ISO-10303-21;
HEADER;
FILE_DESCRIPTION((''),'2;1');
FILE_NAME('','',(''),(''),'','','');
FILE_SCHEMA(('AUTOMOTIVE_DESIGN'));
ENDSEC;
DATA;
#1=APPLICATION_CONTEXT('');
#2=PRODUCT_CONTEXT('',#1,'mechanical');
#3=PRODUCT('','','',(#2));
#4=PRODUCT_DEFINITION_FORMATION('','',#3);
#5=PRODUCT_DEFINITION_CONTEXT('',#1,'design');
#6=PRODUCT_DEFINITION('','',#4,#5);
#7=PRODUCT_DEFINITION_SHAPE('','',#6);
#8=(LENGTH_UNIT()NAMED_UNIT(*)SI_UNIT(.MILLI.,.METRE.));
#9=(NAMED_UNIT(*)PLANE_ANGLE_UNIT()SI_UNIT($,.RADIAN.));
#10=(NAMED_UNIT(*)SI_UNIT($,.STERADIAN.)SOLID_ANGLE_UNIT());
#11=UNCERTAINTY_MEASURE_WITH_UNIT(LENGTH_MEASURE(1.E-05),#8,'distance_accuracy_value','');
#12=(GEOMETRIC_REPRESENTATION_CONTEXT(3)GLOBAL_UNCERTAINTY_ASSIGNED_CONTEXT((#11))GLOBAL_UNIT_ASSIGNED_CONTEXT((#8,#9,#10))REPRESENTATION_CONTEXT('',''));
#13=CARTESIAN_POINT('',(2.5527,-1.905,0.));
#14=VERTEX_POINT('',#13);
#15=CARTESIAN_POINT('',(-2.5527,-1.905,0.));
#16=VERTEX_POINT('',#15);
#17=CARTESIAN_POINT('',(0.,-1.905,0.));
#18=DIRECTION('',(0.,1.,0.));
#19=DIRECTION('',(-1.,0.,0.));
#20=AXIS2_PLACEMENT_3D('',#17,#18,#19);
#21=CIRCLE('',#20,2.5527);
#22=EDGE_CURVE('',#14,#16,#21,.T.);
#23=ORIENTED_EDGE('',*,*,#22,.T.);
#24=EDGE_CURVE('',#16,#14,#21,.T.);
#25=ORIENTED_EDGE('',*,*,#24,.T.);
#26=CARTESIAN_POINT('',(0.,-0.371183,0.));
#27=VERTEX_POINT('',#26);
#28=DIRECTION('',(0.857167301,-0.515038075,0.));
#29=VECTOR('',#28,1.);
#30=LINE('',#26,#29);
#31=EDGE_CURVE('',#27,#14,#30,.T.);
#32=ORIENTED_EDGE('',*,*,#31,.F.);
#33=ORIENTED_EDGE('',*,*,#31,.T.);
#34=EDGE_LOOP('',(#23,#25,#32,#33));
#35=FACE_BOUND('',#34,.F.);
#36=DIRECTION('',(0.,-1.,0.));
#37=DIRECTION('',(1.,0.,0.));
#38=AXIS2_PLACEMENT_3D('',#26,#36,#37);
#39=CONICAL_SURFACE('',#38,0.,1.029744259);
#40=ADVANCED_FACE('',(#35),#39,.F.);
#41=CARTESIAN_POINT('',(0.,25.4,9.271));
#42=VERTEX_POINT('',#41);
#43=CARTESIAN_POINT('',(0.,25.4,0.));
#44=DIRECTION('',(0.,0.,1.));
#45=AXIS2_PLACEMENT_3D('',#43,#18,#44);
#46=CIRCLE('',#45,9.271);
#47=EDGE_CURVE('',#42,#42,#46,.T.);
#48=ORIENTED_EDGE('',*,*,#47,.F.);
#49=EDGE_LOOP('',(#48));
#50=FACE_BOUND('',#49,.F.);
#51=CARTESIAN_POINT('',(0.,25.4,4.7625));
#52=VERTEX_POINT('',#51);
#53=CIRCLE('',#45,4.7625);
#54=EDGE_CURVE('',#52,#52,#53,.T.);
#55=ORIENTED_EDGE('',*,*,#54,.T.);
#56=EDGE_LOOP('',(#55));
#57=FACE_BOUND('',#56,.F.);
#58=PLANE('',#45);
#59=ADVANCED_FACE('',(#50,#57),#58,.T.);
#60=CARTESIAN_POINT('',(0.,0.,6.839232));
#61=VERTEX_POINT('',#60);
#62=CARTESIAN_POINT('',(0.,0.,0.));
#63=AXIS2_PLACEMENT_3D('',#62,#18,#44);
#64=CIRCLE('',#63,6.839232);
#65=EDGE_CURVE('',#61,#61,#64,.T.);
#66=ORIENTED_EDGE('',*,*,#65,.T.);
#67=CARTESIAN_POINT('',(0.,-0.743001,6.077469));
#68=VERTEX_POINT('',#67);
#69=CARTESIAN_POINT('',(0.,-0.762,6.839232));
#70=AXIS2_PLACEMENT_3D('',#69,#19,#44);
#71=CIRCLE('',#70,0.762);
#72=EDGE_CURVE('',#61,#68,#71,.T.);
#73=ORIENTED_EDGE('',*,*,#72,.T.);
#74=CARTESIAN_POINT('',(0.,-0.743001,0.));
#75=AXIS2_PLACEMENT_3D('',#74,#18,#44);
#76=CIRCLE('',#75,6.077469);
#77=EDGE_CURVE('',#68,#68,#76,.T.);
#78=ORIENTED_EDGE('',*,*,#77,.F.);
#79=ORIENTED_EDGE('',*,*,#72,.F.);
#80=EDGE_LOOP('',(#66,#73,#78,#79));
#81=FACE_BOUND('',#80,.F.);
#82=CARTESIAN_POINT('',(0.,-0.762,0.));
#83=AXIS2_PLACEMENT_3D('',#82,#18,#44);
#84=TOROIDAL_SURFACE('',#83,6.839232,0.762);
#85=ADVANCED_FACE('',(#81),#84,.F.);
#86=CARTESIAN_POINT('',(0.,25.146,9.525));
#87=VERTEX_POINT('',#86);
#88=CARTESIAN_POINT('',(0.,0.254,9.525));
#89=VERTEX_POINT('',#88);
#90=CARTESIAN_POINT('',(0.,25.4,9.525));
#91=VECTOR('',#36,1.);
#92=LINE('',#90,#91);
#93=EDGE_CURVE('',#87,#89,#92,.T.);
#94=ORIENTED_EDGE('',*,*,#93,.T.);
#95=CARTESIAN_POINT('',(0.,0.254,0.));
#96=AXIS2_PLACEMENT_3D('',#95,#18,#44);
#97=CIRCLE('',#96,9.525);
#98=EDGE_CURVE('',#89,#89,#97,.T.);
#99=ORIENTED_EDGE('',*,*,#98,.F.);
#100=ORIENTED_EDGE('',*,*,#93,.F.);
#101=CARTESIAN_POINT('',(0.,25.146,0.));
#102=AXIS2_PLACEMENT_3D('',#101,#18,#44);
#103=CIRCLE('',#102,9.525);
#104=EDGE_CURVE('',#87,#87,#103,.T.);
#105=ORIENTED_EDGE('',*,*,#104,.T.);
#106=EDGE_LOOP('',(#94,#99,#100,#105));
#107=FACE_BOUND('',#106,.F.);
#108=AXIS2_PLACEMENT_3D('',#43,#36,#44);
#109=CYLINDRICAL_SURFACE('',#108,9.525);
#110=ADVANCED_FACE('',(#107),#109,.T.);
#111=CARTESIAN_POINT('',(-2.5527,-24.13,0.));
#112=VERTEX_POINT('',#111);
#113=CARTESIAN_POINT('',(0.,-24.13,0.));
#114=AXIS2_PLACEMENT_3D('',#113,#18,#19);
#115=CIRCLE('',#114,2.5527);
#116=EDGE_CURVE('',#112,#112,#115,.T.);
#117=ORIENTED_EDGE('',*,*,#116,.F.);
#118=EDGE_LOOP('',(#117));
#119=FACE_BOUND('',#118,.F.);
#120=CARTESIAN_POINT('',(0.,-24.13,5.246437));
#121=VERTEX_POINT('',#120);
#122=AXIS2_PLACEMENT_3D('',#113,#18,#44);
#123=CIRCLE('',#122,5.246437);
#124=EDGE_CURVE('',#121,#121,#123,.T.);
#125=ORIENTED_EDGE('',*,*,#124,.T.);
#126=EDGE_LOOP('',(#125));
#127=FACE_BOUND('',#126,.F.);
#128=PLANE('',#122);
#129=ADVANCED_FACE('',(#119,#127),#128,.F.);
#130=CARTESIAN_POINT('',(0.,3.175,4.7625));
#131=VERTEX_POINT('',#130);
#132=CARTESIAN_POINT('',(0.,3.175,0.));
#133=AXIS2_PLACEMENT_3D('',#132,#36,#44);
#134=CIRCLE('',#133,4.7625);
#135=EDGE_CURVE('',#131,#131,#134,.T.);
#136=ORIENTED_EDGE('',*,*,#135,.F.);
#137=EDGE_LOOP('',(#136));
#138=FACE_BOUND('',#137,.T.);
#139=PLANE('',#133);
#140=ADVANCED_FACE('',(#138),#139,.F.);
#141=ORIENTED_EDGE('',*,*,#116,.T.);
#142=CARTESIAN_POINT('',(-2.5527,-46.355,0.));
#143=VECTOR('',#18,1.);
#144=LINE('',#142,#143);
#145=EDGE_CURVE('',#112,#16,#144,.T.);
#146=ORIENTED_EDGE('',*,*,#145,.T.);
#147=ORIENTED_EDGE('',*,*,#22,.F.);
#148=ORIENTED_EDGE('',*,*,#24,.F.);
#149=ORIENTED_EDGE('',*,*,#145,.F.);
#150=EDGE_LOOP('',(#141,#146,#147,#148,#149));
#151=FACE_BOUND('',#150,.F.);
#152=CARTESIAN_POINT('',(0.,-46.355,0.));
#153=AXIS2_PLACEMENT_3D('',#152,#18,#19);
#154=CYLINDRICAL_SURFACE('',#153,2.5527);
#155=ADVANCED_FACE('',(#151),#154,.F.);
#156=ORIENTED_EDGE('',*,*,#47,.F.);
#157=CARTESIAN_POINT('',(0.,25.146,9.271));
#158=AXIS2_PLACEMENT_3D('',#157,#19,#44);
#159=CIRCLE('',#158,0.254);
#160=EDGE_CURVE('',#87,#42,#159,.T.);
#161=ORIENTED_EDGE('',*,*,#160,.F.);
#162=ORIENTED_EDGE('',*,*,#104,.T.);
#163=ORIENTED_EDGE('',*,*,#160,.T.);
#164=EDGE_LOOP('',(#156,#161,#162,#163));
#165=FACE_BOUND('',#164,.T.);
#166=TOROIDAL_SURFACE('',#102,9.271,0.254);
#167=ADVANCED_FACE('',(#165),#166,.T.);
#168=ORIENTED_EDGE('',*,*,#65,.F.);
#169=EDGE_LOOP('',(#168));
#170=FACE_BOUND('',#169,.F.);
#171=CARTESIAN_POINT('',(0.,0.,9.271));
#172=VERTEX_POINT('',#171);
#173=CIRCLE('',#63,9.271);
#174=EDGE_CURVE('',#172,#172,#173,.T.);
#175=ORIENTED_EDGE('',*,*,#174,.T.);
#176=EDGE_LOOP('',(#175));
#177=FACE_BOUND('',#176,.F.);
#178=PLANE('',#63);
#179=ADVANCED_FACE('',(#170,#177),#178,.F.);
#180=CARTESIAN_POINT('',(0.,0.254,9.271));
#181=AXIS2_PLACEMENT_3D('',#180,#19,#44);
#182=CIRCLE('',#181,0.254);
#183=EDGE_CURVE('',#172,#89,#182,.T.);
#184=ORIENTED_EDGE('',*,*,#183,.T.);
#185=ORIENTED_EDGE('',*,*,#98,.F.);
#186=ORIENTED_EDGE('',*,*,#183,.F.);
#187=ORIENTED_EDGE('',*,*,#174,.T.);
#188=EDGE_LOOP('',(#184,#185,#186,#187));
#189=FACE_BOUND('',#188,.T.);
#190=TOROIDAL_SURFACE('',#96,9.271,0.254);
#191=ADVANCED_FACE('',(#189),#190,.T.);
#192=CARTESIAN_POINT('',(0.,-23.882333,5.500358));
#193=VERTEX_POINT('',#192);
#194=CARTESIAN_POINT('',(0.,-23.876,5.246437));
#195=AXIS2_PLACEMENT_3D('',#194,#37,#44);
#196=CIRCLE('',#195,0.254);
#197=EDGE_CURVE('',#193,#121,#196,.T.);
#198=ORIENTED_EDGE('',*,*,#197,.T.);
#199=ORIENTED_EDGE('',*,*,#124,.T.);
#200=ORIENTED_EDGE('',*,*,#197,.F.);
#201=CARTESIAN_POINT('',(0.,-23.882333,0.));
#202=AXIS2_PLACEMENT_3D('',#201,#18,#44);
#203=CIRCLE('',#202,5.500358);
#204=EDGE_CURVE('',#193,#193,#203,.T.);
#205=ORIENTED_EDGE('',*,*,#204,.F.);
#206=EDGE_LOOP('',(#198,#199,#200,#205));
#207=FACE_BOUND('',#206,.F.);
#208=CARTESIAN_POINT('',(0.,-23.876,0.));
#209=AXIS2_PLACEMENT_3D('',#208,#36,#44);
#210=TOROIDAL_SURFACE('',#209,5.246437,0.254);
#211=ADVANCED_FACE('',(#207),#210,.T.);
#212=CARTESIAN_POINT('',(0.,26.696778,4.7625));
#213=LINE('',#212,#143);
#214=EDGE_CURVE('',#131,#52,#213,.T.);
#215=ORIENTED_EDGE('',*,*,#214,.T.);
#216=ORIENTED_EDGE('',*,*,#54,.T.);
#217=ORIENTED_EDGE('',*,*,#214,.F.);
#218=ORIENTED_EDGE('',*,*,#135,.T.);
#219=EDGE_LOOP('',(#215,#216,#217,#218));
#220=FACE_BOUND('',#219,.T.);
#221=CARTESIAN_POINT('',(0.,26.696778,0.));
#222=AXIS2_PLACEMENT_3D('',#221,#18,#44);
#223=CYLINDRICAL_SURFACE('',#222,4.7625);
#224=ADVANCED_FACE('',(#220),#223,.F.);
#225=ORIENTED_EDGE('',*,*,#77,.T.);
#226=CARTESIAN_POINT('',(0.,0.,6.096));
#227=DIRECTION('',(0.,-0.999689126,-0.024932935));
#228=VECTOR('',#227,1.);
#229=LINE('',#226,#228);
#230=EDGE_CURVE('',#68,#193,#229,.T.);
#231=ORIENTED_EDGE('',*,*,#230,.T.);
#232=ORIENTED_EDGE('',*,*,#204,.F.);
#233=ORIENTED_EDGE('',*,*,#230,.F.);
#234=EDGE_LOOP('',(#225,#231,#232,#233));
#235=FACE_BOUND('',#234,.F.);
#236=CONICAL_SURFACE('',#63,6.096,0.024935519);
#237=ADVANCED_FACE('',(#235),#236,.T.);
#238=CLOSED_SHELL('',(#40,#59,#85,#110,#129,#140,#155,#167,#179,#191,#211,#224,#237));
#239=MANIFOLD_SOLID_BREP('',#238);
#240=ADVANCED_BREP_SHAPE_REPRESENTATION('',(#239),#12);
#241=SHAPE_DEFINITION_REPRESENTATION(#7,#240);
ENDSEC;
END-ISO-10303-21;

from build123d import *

# Parameters (mm, degrees)
F3_D     = 5.1054
F3_DEPTH = 22.225
F3_TIP   = 1.5338169022
F4_R     = 0.762
F5_R     = 0.254
F6_W     = 47.0435560763
F6_H     = 4.7625


with BuildPart() as f1:
    # F0 (on Right) → F1 (revolve)
    with BuildSketch(Plane.YZ):
        Polygon((-24.13, 0), (25.4, 0), (25.4, 9.525), (0, 9.525), (0, 6.096), (-24.13, 5.4941811878), align=None)
    revolve(axis=Axis((0, 0.635, 0), (0, 1, 0)))

    # F3
    with Locations(Plane.XZ.offset(24.13)):
        with Locations((0, 0)):
            Hole(F3_D / 2, depth=F3_DEPTH)
            with Locations((0, 0, -(F3_DEPTH + F3_TIP / 2))):  # 118° drill point
                Cone(0, F3_D / 2, F3_TIP, mode=Mode.SUBTRACT)

    # F4
    f4_edges = [f1.edges().sort_by_distance(p)[0] for p in [
        (0, 0, -6.096),
    ]]
    fillet(f4_edges, radius=F4_R)

    # F5
    f5_edges = [f1.edges().sort_by_distance(p)[0] for p in [
        (0, 0, -9.525),
        (0, 25.4, -9.525),
        (0, -24.13, -5.494181),
    ]]
    fillet(f5_edges, radius=F5_R)

    # F6 (on Right) → F7 (revolve, cut)
    with BuildSketch(Plane.YZ):
        with Locations((26.6967780381, 2.38125)):
            Rectangle(F6_W, F6_H)
    revolve(axis=Axis((0, 26.6967780381, 0), (0, -1, 0)), mode=Mode.SUBTRACT)


solid = f1.part
